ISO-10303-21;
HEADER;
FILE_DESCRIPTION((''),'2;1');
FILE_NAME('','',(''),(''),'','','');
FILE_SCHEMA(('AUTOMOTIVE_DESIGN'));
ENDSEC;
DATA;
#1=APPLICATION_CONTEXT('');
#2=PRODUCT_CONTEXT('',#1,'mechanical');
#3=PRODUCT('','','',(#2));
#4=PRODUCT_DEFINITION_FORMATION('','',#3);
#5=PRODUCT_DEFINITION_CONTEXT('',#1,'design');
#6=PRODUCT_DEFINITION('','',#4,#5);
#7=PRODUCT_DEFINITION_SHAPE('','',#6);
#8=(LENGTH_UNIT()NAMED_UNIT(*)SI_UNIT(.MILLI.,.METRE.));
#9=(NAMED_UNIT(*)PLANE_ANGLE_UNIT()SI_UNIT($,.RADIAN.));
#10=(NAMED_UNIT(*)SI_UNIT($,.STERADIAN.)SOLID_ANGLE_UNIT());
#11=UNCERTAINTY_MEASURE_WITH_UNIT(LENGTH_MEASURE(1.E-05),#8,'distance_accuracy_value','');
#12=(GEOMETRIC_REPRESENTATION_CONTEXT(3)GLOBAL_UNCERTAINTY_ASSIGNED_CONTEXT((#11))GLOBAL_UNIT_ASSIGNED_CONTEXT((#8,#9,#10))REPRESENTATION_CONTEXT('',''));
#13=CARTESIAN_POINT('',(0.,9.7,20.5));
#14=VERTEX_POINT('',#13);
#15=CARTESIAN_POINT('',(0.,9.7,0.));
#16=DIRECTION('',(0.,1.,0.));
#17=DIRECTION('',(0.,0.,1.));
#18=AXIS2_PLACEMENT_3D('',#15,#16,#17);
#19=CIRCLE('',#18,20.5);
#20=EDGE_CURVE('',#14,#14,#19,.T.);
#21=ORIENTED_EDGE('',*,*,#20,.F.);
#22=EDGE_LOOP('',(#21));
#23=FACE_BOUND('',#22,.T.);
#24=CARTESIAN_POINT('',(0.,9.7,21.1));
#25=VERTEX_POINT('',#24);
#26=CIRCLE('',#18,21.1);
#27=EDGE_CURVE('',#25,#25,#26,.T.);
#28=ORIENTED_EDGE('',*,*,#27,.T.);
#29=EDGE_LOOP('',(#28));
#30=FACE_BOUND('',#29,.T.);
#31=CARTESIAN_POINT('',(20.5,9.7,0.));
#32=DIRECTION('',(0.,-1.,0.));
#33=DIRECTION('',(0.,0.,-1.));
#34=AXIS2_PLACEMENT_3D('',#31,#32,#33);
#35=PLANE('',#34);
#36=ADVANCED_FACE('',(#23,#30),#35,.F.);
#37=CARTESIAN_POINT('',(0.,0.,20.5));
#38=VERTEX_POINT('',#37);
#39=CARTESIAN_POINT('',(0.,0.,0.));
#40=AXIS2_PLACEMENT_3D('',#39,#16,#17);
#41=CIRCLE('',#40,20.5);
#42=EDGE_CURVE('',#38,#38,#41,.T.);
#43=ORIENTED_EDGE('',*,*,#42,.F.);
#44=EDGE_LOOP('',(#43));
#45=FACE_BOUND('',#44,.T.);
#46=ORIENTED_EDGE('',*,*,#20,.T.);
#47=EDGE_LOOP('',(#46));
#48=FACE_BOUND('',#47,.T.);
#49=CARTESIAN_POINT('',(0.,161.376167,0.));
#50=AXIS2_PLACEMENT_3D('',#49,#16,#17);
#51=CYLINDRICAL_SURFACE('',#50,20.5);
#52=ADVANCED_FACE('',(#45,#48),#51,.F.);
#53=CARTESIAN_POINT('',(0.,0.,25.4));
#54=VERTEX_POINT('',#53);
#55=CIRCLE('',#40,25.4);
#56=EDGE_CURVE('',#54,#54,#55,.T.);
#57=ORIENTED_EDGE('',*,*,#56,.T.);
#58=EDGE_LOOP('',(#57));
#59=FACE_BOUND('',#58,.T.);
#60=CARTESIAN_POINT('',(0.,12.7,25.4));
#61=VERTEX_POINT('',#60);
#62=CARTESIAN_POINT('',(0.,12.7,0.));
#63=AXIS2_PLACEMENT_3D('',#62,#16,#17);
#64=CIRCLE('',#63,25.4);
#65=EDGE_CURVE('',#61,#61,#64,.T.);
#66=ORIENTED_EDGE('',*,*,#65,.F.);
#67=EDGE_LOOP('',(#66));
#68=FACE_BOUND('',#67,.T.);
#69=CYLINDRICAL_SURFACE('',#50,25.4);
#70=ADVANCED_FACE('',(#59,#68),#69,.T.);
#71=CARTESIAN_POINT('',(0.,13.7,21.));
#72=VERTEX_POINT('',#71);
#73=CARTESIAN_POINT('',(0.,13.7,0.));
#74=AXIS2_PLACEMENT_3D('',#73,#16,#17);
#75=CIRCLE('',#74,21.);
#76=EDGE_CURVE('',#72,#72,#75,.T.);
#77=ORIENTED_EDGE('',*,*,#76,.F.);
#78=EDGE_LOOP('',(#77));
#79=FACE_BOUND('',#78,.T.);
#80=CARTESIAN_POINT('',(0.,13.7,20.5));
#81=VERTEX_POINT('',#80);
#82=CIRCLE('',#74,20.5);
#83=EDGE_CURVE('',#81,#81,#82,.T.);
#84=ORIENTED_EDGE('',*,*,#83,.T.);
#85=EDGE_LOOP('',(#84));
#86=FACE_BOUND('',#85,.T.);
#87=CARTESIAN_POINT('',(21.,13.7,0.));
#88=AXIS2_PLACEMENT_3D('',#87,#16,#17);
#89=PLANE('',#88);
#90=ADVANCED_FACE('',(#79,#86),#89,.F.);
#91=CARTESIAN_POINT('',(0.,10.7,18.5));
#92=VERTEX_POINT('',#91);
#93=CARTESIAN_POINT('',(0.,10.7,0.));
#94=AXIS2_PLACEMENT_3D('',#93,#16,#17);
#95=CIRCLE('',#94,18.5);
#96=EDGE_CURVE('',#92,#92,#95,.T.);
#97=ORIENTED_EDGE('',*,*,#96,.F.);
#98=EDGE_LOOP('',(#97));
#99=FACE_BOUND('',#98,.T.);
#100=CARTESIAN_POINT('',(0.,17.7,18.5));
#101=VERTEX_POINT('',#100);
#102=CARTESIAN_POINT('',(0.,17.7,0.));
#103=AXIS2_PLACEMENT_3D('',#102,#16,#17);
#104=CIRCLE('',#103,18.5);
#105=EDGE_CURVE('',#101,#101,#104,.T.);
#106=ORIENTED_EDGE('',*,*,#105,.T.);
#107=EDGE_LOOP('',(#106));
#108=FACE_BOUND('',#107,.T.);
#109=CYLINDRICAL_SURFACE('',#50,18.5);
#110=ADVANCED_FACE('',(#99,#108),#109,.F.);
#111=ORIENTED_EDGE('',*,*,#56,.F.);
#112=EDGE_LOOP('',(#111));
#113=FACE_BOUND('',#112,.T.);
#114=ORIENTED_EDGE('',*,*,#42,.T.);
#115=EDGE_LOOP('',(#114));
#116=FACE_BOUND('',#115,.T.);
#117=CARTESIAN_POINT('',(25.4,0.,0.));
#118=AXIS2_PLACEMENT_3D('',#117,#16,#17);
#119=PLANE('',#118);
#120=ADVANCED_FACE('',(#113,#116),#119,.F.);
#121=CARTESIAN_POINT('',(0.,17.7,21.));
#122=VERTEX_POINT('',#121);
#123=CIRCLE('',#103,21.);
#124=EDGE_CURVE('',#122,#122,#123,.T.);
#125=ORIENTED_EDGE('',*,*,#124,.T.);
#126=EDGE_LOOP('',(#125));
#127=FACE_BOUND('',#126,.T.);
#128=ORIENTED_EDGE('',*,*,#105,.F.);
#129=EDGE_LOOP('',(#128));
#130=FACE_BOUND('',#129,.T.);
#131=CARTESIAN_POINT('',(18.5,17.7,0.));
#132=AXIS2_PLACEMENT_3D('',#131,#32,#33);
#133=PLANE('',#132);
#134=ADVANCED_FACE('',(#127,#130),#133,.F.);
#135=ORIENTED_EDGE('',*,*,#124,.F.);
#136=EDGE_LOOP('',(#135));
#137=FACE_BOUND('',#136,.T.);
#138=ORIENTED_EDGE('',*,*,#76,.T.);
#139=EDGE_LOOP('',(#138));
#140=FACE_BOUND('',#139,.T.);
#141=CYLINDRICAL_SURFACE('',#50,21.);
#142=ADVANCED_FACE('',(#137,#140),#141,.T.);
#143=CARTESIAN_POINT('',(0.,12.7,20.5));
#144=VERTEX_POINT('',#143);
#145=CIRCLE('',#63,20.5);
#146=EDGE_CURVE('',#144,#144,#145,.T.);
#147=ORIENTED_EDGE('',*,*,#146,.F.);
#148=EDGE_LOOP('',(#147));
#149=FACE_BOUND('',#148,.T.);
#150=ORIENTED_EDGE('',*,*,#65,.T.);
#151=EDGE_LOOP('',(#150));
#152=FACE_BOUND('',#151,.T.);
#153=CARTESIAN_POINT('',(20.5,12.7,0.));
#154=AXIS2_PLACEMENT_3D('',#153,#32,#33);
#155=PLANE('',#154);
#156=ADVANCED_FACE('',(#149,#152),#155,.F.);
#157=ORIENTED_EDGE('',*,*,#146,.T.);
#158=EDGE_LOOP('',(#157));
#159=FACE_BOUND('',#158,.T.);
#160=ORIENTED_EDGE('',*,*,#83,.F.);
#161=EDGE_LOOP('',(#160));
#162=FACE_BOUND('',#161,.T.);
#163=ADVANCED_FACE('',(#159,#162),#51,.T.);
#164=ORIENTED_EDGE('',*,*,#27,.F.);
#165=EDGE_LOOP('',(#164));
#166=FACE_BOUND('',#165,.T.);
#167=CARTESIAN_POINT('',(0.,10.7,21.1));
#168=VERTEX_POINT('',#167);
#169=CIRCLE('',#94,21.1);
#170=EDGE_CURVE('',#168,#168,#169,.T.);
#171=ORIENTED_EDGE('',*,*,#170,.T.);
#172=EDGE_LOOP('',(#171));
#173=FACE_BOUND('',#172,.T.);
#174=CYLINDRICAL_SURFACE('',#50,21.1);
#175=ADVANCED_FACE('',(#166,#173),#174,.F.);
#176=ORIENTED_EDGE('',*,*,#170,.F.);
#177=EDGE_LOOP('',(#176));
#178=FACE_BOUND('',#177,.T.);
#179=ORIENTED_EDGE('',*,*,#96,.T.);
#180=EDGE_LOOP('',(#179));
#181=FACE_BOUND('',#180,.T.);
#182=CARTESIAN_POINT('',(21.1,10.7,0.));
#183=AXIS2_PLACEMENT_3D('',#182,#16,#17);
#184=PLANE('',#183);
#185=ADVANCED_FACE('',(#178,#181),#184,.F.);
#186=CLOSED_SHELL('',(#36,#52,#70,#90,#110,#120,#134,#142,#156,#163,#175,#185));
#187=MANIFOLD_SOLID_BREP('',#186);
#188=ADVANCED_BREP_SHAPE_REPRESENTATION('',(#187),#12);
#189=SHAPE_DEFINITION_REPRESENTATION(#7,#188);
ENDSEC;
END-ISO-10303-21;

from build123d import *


with BuildPart() as part:
    # 草图1 → 旋转1 (revolve)
    with BuildSketch(Plane.XY, mode=Mode.PRIVATE) as revolve_1_sk:
        Polygon((18.5, 17.7), (21, 17.7), (21, 13.7), (20.5, 13.7), (20.5, 12.7), (25.4, 12.7), (25.4, 0), (20.5, 0), (20.5, 9.7), (21.1, 9.7), (21.1, 10.7), (18.5, 10.7), align=None)
    revolve(revolve_1_sk.sketch.rotate(Axis((0, 161.376166943, 0), (0, -1, 0)), 90), axis=Axis((0, 161.376166943, 0), (0, -1, 0)))  # turned: the seam where the file's is


solid = part.part
